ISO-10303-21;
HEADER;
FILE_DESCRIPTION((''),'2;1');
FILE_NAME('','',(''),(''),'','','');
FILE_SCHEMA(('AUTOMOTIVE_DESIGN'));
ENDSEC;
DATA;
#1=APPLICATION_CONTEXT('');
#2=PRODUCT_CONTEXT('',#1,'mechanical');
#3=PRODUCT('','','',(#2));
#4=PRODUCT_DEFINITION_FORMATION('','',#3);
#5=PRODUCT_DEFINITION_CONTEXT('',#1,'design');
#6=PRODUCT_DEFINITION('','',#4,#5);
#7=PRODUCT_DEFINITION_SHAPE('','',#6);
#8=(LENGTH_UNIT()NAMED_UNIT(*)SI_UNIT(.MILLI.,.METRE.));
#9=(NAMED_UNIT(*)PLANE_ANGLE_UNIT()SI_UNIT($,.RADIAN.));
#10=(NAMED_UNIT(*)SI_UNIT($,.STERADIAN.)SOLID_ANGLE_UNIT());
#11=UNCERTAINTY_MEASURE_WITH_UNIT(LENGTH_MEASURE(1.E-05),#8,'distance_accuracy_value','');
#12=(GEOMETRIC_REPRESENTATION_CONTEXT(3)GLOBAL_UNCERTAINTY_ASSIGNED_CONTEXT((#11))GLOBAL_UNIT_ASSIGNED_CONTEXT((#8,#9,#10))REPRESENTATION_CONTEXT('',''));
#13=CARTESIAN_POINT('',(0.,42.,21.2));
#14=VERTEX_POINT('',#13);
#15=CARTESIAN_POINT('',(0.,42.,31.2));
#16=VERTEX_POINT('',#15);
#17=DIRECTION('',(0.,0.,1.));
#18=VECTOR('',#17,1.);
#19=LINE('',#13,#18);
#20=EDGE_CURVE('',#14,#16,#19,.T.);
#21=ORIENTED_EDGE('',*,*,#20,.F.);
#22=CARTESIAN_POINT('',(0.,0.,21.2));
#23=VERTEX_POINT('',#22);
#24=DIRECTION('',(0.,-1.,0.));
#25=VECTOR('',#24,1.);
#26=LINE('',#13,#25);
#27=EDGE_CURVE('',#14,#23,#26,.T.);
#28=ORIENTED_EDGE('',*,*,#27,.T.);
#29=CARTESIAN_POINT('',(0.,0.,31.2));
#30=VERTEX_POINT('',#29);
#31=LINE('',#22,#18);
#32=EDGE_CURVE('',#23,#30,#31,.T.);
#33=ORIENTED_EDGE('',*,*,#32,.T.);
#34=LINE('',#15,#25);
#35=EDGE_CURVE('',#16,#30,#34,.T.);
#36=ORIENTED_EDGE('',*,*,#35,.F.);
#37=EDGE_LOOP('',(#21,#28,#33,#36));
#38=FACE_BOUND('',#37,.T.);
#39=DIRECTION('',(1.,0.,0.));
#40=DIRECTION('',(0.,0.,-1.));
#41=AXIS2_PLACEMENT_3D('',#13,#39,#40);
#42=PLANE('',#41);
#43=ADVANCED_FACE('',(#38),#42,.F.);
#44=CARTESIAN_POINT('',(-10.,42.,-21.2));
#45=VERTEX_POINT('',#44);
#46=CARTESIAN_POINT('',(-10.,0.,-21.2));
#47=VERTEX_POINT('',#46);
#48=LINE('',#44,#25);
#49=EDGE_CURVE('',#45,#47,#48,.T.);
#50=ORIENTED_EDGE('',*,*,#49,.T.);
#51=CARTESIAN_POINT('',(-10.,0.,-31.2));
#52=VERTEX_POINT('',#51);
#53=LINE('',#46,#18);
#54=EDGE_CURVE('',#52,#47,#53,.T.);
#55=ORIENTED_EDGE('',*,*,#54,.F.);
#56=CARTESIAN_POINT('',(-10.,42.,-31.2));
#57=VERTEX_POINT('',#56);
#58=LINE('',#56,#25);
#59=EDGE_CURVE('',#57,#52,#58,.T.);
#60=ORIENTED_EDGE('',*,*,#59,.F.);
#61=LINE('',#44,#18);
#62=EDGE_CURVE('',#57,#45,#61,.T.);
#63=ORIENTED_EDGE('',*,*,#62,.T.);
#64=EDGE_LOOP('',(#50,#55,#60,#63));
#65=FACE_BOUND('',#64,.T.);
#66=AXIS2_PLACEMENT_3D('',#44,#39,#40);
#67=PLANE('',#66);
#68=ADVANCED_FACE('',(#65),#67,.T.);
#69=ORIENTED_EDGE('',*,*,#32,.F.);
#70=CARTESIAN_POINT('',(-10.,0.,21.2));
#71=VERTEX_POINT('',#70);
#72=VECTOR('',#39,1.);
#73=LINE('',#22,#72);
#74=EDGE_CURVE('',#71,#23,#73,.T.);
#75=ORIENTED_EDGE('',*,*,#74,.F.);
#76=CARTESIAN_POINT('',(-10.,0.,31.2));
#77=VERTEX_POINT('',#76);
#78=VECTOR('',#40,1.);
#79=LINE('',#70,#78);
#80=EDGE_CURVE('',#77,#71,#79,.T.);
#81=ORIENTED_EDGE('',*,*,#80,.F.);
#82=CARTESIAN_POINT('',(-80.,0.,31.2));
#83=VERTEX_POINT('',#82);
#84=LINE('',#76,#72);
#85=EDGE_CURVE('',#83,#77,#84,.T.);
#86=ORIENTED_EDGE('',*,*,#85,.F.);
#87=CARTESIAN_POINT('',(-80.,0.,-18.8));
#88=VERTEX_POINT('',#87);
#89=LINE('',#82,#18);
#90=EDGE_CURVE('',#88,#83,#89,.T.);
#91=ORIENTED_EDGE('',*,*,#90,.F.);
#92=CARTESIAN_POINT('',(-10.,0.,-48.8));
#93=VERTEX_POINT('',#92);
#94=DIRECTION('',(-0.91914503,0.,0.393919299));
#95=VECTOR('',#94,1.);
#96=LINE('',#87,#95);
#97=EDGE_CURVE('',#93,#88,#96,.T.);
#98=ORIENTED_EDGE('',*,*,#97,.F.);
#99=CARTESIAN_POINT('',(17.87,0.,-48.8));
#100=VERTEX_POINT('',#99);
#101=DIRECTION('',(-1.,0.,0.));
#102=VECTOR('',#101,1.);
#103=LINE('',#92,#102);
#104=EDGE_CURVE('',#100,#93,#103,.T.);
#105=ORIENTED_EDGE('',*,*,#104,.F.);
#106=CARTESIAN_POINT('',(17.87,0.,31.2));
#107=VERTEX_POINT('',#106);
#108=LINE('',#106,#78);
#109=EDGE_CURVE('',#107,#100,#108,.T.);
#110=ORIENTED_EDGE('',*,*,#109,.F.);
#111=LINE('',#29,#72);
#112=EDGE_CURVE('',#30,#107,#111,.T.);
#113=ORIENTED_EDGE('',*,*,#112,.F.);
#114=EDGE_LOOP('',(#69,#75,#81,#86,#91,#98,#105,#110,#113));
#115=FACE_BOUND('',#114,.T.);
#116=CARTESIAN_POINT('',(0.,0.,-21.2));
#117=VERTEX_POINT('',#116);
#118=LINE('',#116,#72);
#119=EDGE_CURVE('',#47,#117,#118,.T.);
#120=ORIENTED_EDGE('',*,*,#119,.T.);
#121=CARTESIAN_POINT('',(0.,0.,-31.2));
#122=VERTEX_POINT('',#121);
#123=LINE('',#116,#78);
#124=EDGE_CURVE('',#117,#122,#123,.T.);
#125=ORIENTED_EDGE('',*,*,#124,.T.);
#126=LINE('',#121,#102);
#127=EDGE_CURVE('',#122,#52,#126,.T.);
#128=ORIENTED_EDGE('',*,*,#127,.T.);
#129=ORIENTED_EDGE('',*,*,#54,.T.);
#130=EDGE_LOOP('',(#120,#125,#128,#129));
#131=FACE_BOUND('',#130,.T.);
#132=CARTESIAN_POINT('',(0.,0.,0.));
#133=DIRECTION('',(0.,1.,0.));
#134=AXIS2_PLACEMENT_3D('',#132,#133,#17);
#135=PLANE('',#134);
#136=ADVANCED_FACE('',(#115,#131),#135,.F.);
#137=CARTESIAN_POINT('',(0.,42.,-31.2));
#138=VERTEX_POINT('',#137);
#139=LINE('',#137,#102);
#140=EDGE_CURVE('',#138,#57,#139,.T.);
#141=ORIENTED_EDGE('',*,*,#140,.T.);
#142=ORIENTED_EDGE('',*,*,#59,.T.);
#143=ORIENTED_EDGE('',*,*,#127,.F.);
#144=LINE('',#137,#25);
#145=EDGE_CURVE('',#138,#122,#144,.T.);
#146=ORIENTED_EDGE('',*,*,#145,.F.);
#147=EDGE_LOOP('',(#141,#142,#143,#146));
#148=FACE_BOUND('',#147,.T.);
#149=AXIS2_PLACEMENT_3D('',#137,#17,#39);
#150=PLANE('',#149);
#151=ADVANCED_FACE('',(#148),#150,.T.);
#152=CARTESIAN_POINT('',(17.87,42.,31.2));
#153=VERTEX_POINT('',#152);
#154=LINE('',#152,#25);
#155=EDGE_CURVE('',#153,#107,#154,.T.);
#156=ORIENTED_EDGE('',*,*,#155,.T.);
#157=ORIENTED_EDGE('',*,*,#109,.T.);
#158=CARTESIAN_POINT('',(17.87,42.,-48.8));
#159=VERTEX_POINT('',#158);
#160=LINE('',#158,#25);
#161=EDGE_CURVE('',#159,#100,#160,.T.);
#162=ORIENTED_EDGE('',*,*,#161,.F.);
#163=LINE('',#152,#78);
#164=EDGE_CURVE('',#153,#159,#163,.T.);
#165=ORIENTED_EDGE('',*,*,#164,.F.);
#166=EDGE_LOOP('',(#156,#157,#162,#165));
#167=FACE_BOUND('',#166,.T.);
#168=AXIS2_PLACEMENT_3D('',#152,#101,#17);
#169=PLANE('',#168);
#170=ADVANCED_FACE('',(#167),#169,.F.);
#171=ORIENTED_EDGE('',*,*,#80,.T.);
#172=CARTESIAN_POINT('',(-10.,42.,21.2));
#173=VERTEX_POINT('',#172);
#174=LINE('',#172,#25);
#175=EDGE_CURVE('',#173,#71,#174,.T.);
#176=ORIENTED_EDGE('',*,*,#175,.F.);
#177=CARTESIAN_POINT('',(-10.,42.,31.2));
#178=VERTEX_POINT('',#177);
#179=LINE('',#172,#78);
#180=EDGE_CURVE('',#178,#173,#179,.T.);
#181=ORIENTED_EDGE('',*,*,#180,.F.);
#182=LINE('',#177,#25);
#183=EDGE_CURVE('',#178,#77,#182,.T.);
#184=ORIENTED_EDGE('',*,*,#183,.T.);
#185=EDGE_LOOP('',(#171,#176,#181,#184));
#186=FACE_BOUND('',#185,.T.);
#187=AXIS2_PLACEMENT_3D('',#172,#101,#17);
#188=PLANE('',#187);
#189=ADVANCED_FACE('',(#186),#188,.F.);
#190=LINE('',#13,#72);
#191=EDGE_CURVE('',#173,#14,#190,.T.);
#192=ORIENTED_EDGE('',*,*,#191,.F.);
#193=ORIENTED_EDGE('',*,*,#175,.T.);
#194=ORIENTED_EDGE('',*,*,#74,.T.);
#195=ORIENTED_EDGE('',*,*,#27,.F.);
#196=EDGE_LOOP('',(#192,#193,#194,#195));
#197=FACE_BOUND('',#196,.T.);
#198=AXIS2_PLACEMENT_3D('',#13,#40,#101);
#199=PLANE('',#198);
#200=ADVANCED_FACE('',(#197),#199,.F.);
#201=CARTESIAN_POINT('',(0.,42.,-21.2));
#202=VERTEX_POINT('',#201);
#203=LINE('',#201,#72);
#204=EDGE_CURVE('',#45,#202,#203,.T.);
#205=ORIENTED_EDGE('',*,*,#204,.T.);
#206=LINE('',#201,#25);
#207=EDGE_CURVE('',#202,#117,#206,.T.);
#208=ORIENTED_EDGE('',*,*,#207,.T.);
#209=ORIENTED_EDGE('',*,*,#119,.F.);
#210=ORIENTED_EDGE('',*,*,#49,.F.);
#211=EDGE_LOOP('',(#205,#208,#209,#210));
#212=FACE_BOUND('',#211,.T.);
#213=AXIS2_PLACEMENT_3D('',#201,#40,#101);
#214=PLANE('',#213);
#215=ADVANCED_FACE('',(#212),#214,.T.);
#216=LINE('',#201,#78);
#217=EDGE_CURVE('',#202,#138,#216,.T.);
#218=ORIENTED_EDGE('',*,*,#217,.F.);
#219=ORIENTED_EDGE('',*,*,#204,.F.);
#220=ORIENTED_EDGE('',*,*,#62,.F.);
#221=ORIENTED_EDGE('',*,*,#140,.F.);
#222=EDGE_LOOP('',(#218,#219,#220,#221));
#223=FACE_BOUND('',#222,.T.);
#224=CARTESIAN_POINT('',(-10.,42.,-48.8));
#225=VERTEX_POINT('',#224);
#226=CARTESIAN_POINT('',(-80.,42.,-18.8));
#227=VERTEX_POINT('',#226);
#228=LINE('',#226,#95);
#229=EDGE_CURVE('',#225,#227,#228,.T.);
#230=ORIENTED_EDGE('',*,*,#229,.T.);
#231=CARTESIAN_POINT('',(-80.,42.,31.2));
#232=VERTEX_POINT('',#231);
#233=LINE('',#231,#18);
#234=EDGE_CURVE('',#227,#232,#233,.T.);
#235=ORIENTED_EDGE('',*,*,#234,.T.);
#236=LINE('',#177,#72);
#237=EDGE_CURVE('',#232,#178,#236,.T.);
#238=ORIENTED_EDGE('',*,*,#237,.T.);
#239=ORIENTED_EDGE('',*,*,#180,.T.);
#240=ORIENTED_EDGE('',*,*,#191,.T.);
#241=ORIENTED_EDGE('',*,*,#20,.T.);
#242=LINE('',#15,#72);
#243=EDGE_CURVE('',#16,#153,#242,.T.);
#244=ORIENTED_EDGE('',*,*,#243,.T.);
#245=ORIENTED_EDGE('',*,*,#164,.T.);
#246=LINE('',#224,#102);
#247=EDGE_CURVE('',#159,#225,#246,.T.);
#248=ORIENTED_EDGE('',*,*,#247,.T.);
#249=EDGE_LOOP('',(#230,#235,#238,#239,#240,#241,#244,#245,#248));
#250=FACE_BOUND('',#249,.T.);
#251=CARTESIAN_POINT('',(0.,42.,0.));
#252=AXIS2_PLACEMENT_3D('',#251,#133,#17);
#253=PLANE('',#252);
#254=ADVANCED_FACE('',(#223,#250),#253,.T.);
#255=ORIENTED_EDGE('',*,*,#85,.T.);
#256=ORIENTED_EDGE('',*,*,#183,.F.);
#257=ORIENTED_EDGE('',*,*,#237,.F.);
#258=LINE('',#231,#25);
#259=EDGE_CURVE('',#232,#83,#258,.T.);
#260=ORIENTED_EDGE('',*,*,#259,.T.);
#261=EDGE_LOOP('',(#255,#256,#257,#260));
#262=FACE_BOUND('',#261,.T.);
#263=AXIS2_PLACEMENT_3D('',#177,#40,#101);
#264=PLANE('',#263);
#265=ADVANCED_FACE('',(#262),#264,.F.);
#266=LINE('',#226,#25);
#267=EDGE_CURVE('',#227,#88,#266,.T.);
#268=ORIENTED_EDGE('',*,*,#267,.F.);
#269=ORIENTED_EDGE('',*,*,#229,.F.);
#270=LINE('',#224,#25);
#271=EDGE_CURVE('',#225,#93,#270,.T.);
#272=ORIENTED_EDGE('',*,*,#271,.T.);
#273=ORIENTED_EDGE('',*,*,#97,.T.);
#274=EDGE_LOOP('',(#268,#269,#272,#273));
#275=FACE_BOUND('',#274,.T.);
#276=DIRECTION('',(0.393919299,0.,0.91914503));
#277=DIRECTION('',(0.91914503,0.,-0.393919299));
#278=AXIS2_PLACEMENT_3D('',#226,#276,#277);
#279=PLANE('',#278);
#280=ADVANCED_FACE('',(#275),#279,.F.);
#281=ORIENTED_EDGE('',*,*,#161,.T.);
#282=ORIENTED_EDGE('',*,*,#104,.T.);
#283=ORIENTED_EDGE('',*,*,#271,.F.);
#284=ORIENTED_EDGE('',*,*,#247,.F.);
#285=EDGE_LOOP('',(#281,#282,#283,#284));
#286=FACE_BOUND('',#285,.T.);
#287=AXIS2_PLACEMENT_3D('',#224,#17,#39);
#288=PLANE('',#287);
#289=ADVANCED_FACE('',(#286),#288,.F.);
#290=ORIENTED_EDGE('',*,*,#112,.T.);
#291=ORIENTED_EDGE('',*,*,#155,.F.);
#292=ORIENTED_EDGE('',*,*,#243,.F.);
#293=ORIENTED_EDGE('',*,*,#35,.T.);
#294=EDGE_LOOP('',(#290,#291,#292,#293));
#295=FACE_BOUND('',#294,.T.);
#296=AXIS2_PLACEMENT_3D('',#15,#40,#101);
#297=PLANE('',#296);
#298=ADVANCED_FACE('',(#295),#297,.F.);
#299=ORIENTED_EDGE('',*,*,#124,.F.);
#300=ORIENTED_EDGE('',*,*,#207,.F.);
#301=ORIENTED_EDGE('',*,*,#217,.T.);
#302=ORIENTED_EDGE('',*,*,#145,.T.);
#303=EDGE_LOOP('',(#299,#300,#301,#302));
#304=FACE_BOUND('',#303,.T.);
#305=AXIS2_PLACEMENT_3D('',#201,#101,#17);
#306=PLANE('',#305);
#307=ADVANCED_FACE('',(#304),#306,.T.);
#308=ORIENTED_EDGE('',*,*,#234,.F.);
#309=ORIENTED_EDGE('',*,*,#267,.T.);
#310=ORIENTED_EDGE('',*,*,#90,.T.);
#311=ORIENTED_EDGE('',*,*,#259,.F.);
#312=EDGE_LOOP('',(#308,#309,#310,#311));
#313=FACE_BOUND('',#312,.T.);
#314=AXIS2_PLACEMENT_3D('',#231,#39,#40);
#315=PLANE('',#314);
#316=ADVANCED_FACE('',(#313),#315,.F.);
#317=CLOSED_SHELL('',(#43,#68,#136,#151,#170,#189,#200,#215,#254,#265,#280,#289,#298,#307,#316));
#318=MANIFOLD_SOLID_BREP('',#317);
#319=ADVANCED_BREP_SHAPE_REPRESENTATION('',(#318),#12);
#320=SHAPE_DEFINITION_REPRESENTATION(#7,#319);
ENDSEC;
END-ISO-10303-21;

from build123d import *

# Parameters (mm, degrees)
ESQUISSE1_W        = 10
ESQUISSE1_H        = 10
BOSS_EXTRU_1_DEPTH = 42


with BuildPart() as part:
    # Esquisse1 → Boss.-Extru.1 (new body)
    with BuildSketch(Plane(origin=(0, 0, 0), x_dir=(1, 0, 0), z_dir=(0, 1, 0))):
        Polygon((0, -21.2), (0, -31.2), (17.87, -31.2), (17.87, 48.8), (-10, 48.8), (-80, 18.8), (-80, -31.2), (-10, -31.2), (-10, -21.2), align=None)
        with Locations((-5, 26.2)):
            Rectangle(ESQUISSE1_W, ESQUISSE1_H, mode=Mode.SUBTRACT)
    extrude(amount=BOSS_EXTRU_1_DEPTH)


solid = part.part
